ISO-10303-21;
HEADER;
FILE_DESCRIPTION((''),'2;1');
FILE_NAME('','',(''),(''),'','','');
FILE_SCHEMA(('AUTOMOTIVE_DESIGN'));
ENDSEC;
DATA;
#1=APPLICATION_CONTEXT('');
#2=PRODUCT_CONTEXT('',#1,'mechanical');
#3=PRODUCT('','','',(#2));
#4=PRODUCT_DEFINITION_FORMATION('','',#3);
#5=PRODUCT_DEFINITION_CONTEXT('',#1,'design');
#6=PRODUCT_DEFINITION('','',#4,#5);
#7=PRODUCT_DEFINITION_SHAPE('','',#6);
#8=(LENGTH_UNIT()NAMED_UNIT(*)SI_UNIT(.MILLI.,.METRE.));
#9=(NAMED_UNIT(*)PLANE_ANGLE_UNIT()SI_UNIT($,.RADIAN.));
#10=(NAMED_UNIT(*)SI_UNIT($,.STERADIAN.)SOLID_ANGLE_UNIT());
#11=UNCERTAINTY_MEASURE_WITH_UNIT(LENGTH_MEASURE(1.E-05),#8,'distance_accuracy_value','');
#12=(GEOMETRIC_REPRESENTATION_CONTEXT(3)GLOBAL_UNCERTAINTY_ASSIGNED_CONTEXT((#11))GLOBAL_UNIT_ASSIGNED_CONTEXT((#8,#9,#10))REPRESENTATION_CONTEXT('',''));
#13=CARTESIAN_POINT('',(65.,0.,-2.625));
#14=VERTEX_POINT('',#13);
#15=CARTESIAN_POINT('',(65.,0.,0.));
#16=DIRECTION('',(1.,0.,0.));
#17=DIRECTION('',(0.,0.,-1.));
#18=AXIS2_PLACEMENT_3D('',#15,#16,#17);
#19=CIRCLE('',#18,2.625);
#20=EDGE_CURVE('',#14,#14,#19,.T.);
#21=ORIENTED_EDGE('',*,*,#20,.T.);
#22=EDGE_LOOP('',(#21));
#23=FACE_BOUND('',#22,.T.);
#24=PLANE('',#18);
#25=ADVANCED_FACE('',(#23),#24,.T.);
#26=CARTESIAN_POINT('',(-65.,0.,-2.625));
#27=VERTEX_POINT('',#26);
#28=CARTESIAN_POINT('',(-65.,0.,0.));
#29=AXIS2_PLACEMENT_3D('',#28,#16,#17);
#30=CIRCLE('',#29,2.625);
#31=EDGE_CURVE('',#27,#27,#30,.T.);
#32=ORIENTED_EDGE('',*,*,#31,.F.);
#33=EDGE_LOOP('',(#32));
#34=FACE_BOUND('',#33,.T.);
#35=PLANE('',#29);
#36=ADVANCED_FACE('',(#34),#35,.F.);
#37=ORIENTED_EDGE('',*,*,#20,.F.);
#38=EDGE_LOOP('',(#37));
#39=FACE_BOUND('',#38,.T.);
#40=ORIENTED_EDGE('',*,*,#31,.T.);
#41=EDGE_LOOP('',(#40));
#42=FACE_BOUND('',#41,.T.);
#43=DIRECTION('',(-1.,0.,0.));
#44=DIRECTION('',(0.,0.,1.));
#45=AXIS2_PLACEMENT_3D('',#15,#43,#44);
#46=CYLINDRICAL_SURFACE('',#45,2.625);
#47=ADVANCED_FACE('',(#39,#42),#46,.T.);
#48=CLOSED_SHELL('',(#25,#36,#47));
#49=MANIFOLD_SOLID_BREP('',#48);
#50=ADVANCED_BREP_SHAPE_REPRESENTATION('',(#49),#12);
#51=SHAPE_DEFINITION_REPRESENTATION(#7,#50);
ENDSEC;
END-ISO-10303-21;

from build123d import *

# Parameters (mm, degrees)
SKETCH_1_R      = 2.625
EXTRUDE_1_DEPTH = 65


with BuildPart() as part:
    # 草图1 → 凸台-拉伸1 (new, symmetric)
    with BuildSketch(Plane(origin=(0, 0, 0), x_dir=(0, 0, -1), z_dir=(1, 0, 0))):
        Circle(SKETCH_1_R)
    extrude(amount=EXTRUDE_1_DEPTH, both=True)


solid = part.part
